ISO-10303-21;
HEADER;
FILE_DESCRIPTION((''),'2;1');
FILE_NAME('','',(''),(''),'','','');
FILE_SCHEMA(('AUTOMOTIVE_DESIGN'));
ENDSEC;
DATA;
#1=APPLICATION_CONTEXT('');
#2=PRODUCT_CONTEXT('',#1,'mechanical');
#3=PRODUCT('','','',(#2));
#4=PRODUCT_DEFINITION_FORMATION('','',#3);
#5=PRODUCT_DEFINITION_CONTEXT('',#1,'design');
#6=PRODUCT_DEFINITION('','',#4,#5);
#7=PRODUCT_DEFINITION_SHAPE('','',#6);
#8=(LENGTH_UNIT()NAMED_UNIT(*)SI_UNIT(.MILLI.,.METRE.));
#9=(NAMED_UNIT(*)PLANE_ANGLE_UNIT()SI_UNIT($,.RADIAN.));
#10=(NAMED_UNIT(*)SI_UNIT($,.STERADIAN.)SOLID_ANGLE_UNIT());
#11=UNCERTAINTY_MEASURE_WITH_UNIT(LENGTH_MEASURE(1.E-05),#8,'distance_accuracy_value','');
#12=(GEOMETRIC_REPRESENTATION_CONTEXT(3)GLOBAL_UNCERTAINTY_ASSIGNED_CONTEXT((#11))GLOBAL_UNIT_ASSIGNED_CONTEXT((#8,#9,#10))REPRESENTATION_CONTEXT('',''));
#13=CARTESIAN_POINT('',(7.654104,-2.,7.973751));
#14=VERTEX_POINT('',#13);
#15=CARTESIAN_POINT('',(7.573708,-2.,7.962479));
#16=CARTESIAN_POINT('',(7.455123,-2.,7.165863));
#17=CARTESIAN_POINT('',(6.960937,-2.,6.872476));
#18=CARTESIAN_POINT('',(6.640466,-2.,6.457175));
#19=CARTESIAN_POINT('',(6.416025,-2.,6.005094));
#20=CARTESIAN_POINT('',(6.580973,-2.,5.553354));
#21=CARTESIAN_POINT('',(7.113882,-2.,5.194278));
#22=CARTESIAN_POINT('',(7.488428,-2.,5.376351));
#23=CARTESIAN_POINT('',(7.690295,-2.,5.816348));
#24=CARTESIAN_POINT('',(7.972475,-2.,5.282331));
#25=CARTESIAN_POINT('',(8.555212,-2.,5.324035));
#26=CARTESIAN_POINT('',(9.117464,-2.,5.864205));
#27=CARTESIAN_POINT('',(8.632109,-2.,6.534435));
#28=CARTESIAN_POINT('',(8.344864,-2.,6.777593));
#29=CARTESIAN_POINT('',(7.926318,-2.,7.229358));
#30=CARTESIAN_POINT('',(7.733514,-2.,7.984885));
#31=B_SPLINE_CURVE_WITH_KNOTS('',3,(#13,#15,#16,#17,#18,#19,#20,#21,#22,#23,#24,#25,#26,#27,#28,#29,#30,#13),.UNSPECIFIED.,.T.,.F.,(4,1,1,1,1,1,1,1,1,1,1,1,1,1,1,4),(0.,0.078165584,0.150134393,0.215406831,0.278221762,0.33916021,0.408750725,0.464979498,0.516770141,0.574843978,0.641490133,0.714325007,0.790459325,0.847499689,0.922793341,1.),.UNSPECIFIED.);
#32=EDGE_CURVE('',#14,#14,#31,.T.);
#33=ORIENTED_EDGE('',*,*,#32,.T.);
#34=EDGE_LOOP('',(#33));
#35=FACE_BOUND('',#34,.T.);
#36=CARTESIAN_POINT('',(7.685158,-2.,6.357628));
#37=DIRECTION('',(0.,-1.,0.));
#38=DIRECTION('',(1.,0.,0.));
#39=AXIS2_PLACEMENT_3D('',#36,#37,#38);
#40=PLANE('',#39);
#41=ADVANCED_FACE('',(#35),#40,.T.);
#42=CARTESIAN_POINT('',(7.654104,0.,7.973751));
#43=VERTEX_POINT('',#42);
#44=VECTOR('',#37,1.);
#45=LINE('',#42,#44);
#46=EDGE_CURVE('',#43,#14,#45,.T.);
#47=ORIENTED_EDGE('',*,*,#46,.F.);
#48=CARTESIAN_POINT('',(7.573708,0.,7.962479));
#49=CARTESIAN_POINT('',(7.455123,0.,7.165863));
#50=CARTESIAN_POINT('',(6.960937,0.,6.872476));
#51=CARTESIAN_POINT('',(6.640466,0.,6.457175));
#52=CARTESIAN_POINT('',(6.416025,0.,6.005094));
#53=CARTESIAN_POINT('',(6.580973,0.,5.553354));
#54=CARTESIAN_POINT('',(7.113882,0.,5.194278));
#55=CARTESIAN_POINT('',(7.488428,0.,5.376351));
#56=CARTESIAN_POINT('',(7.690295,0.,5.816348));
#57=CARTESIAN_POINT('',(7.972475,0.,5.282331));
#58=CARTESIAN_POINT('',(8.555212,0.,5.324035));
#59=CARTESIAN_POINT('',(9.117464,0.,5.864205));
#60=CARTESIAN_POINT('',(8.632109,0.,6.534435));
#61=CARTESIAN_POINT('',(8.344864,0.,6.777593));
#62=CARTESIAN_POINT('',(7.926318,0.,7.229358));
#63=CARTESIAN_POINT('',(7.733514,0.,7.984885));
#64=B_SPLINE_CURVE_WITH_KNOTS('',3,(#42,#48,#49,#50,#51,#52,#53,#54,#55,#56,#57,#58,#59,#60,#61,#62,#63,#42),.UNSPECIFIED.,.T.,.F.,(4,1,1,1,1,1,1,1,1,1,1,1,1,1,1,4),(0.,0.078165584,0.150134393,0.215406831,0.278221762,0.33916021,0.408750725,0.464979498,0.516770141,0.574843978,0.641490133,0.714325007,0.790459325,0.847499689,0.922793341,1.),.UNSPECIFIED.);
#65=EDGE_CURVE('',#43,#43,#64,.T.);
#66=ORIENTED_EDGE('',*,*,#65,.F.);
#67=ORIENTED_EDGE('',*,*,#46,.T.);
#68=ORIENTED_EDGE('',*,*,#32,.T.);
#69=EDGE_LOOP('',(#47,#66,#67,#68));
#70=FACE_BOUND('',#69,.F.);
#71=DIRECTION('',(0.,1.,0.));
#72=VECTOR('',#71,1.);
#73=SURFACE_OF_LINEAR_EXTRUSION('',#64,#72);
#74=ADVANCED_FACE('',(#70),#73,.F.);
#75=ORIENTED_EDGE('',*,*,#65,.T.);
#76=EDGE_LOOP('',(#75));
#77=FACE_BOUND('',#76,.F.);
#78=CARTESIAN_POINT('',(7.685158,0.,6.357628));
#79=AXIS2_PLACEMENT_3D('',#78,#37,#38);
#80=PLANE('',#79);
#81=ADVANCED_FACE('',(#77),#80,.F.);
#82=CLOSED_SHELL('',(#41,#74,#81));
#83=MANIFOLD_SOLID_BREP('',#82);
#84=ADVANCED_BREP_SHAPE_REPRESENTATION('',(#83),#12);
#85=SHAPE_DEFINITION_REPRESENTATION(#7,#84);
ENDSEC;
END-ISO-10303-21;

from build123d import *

# Parameters (mm, degrees)
F1_DEPTH = 2


with BuildPart() as f1:
    # F0 (on Front) → F1 (new body)
    with BuildSketch(Plane.XZ):
        with BuildLine():
            add(Edge.make_bspline(
                [(7.6541043818, 7.9737510532), (7.5737082016, 7.9624785716), (7.4551231094, 7.1658634311), (6.96093713, 6.8724758556), (6.6404656801, 6.4571754762), (6.416024624, 6.0050935564), (6.5809726383, 5.5533538035), (7.1138820679, 5.194278457), (7.4884278744, 5.3763510762), (7.6902948875, 5.8163475318), (7.9724745665, 5.2823308892), (8.5552124707, 5.3240347945), (9.1174640653, 5.8642051596), (8.6321085314, 6.5344352203), (8.3448640408, 6.7775928541), (7.9263182717, 7.2293584954), (7.7335142721, 7.9848852455), (7.6541043818, 7.9737510532)],
                knots=[0, 0, 0, 0, 0.0781655841, 0.1501343929, 0.2154068306, 0.2782217621, 0.3391602099, 0.4087507251, 0.4649794979, 0.5167701405, 0.5748439784, 0.6414901332, 0.7143250069, 0.7904593249, 0.847499689, 0.9227933411, 1, 1, 1, 1], degree=3))
        make_face()
    extrude(amount=F1_DEPTH)


solid = f1.part
